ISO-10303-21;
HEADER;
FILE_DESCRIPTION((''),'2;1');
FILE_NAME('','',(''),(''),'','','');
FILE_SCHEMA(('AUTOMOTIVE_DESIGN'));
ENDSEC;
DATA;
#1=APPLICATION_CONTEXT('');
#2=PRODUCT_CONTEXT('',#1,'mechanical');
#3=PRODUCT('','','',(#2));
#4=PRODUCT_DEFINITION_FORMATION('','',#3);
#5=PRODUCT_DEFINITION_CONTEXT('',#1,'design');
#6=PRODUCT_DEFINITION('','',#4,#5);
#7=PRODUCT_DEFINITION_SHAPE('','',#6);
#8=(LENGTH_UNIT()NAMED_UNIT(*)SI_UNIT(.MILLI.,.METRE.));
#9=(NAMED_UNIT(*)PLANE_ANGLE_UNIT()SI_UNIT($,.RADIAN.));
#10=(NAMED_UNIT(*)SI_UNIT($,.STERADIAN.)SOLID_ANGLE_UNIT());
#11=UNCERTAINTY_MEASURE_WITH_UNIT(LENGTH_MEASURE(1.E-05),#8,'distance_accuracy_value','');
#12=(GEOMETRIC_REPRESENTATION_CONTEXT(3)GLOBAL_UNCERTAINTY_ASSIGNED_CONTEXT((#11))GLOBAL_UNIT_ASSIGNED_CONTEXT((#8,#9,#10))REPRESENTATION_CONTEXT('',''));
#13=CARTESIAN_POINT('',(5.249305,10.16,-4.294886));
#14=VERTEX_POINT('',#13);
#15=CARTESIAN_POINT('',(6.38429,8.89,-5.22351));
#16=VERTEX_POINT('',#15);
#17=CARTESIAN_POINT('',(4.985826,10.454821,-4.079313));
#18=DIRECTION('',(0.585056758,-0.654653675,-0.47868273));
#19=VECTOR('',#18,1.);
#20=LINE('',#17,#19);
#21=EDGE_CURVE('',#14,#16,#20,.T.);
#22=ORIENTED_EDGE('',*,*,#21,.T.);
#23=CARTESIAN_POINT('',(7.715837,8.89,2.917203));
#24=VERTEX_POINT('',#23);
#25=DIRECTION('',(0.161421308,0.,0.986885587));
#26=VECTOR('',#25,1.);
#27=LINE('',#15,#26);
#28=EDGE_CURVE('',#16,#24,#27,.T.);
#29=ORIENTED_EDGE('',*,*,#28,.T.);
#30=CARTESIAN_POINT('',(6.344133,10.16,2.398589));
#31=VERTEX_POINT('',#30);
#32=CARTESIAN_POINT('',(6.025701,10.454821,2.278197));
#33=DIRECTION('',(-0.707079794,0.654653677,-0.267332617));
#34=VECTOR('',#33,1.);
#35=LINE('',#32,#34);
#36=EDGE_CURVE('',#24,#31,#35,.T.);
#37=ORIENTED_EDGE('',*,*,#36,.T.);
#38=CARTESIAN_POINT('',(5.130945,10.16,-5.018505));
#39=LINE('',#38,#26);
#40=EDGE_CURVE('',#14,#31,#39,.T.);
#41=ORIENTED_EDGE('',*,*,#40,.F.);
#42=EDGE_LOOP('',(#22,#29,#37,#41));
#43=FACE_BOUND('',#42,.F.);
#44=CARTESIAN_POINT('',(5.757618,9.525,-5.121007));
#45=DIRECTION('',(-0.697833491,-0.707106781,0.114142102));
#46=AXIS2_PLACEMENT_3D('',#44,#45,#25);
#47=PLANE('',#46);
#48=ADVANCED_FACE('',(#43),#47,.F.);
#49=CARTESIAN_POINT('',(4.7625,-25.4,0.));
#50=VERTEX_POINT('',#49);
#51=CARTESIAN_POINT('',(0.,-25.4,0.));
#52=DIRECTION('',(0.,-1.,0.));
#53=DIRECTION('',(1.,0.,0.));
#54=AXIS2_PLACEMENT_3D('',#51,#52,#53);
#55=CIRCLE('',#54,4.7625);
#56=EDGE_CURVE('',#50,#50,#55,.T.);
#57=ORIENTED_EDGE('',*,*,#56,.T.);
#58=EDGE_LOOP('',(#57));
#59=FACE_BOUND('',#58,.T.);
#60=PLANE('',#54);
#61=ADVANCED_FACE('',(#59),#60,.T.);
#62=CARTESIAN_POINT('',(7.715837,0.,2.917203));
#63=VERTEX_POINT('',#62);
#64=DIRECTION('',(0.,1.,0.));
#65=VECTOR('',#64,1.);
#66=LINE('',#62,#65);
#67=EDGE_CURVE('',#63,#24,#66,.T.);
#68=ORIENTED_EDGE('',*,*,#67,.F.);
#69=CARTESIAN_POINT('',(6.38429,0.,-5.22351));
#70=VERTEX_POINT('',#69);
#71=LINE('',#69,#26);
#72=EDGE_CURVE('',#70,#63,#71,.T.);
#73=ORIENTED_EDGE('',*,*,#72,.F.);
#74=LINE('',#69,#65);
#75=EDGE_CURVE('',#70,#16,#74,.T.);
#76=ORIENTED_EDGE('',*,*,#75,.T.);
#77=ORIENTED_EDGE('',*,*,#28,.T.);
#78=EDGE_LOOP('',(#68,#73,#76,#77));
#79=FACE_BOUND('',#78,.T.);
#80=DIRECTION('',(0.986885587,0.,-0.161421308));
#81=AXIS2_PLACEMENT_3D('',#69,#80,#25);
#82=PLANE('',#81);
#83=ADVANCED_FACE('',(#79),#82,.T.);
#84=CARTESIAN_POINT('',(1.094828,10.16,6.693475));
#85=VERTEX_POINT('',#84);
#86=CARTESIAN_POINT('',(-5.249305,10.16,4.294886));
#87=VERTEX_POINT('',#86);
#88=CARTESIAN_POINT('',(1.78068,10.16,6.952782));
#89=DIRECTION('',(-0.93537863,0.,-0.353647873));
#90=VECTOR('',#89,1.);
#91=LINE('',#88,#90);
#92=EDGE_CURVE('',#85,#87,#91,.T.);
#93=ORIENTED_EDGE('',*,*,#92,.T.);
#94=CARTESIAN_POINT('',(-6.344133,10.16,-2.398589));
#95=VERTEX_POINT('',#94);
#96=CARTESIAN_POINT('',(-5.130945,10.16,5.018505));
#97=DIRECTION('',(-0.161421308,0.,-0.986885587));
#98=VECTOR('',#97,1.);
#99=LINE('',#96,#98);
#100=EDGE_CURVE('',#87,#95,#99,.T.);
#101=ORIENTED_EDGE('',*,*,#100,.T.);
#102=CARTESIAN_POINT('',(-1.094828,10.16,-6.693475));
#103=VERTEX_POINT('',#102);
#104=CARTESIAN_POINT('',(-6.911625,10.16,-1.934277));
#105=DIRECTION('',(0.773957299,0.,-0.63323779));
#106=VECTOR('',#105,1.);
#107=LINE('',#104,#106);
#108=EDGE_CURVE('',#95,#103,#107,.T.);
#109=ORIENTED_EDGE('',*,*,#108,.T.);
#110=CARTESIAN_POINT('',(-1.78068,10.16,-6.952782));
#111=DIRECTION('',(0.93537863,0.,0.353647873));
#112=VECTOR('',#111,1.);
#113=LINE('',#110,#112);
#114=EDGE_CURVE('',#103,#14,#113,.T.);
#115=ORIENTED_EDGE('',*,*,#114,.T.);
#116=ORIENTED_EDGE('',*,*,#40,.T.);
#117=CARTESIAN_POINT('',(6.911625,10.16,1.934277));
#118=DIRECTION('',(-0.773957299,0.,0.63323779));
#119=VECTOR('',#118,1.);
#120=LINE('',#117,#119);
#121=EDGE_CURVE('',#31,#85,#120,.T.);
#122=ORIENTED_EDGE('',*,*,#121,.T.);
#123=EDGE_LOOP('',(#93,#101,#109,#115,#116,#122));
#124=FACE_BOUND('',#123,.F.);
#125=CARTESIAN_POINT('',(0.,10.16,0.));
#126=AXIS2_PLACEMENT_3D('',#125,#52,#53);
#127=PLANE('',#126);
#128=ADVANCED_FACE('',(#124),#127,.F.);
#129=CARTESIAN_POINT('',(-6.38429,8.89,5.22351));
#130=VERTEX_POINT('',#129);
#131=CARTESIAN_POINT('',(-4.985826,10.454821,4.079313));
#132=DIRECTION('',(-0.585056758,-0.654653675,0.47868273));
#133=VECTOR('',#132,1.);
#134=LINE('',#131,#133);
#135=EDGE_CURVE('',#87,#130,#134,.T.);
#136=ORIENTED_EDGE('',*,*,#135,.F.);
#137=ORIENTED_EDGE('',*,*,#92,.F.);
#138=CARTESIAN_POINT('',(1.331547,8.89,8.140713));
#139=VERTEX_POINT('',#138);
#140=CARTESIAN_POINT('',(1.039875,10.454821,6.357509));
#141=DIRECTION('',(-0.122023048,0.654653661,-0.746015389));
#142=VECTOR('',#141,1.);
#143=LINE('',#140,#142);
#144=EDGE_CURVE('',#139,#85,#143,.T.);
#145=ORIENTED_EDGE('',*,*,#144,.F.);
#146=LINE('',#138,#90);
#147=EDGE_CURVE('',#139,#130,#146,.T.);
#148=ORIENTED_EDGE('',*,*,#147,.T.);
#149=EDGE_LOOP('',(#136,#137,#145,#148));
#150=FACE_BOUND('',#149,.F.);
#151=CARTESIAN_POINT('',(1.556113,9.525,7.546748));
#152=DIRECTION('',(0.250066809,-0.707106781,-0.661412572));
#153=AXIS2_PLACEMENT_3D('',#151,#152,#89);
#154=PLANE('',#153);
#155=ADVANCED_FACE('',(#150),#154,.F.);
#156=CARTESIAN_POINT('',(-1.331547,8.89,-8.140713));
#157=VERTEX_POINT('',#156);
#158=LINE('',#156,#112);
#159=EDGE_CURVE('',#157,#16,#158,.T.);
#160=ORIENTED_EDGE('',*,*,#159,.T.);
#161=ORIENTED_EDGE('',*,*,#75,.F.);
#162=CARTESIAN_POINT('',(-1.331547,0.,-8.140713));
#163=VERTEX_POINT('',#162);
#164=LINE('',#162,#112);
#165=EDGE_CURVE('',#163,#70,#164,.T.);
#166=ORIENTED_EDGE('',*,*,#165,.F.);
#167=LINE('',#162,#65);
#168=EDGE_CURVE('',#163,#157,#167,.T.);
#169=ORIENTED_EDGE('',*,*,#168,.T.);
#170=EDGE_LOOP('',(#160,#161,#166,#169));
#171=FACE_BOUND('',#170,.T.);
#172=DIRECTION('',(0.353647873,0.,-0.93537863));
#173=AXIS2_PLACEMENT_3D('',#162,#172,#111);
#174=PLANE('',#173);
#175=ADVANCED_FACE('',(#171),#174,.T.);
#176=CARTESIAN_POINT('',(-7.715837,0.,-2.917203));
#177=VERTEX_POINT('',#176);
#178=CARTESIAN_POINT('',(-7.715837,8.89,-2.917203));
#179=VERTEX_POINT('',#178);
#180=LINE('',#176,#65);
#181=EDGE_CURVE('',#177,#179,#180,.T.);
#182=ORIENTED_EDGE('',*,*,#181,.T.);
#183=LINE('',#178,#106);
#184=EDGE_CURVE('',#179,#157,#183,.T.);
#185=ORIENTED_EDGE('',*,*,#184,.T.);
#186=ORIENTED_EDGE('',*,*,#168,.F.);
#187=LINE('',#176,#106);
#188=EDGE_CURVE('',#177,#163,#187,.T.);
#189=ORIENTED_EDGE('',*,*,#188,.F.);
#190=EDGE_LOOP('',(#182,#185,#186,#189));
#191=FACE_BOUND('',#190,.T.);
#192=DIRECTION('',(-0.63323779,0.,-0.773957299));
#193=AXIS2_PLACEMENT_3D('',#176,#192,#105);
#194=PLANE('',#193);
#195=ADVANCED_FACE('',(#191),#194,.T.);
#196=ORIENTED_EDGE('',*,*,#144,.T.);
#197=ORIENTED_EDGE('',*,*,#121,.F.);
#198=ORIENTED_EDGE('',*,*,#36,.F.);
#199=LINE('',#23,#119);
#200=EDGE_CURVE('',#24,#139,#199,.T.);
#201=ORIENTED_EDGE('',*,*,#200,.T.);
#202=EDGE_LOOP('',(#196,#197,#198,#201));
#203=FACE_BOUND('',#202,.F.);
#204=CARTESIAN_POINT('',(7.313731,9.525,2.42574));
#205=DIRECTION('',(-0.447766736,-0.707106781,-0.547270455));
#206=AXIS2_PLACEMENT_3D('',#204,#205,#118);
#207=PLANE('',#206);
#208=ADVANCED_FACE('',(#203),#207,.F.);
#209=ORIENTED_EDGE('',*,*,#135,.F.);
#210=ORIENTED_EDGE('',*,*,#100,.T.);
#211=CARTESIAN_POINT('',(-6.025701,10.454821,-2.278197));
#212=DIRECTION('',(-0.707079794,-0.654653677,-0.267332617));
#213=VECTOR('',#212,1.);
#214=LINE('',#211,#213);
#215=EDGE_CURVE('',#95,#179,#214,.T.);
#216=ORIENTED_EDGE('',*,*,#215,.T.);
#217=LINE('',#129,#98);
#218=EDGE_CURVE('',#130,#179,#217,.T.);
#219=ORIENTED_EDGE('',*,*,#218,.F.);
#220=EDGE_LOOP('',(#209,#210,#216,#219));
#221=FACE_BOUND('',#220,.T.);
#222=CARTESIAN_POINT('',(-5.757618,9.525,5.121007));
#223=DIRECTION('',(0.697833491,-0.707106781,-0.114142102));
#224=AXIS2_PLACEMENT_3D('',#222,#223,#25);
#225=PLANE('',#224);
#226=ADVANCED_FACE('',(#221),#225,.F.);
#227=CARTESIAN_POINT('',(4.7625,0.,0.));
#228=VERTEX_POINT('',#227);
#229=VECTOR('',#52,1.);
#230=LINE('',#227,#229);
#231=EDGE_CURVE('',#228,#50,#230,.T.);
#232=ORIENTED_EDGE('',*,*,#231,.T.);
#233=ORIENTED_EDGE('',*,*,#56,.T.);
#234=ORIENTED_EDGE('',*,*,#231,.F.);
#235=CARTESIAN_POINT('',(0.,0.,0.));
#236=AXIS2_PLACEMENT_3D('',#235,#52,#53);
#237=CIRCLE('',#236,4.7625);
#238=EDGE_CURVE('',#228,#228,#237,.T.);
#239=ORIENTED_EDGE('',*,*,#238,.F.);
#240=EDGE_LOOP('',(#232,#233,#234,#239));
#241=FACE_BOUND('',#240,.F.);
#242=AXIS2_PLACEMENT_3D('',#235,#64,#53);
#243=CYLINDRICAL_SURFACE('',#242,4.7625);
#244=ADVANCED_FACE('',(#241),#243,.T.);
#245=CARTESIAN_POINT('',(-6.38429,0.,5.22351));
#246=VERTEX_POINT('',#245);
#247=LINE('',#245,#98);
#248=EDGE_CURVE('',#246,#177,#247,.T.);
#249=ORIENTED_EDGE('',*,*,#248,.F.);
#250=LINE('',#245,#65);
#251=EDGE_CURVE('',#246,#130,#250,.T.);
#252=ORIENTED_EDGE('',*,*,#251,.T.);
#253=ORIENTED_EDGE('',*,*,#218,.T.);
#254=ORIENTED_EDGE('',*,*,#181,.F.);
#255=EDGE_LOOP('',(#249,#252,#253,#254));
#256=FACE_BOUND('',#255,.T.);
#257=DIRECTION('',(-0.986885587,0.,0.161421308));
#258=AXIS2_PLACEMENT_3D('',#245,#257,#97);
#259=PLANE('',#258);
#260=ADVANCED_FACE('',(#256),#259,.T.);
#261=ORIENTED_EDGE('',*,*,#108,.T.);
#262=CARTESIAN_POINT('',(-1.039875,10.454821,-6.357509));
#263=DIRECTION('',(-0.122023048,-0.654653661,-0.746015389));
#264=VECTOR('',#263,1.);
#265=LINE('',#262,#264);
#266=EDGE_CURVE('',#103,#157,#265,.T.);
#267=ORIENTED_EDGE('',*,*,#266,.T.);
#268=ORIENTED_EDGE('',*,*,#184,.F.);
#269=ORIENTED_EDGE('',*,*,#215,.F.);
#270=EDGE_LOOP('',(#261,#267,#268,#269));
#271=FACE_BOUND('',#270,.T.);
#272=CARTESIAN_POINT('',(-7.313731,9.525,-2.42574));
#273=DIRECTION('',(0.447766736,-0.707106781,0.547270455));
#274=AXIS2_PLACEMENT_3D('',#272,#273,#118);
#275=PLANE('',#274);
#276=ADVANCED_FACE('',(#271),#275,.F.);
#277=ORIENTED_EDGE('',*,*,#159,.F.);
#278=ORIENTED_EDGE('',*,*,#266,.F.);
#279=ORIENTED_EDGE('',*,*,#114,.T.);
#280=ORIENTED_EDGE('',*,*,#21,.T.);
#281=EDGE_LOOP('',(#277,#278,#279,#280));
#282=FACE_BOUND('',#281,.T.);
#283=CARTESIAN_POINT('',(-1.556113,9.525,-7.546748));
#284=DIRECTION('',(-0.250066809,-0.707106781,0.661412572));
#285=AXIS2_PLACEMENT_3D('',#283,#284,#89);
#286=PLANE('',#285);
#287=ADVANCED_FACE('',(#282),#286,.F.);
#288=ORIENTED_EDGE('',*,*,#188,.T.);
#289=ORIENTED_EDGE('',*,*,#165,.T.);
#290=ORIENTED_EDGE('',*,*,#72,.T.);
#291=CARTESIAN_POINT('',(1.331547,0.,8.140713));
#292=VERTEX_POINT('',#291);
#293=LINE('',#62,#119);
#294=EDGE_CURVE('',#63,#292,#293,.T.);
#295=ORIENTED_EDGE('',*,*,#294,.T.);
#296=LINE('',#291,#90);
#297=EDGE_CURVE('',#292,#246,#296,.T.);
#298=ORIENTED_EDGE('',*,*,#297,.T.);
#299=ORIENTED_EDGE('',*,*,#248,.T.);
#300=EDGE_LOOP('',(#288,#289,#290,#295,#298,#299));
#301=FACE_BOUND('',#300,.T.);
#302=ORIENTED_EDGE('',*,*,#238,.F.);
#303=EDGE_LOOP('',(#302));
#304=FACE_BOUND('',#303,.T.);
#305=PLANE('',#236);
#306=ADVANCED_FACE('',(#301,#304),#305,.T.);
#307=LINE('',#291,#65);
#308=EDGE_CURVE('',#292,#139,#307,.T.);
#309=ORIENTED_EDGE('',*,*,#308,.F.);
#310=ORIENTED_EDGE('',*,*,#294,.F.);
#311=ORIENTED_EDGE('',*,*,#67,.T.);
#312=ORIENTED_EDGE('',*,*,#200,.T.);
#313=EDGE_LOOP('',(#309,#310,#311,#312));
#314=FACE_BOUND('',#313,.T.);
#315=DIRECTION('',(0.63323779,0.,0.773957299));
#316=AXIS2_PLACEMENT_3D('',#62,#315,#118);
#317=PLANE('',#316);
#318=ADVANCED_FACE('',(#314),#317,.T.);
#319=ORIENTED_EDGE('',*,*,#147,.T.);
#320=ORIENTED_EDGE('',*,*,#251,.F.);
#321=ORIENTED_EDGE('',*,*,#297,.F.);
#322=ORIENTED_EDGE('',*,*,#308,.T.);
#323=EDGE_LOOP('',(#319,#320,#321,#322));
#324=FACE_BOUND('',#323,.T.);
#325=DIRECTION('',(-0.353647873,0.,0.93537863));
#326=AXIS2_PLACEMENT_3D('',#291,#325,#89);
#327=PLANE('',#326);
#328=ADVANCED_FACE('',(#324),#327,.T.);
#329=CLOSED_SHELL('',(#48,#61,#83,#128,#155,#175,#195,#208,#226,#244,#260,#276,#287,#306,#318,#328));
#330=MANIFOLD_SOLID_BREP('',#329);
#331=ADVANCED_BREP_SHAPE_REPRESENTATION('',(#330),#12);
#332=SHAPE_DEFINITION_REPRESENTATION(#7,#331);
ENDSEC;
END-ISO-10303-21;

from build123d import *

# Parameters (mm, degrees)
F1_DEPTH = 10.16
F2_R     = 4.7625
F3_DEPTH = 25.4
F4_SIZE  = 1.27


with BuildPart() as f1:
    # F0 (on Front) → F1 (new body)
    with BuildSketch(Plane.XZ):
        Polygon((7.715837, 2.917203), (1.331547, 8.140713), (-6.38429, 5.22351), (-7.715837, -2.917203), (-1.331547, -8.140713), (6.38429, -5.22351), align=None)
    extrude(amount=-F1_DEPTH)

    # F2 (on Front) → F3 (join)
    with BuildSketch(Plane.XZ):
        Circle(F2_R)
    extrude(amount=F3_DEPTH)

    # F4
    f4_edges = [f1.edges().sort_by_distance(p)[0] for p in [
        (-7.050064, 10.16, 1.153154),
        (-2.526371, 10.16, 6.682111),
        (4.523692, 10.16, 5.528958),
        (-4.523692, 10.16, -5.528958),
        (2.526371, 10.16, -6.682111),
        (7.050064, 10.16, -1.153154),
    ]]
    chamfer(f4_edges, length=F4_SIZE)


solid = f1.part
